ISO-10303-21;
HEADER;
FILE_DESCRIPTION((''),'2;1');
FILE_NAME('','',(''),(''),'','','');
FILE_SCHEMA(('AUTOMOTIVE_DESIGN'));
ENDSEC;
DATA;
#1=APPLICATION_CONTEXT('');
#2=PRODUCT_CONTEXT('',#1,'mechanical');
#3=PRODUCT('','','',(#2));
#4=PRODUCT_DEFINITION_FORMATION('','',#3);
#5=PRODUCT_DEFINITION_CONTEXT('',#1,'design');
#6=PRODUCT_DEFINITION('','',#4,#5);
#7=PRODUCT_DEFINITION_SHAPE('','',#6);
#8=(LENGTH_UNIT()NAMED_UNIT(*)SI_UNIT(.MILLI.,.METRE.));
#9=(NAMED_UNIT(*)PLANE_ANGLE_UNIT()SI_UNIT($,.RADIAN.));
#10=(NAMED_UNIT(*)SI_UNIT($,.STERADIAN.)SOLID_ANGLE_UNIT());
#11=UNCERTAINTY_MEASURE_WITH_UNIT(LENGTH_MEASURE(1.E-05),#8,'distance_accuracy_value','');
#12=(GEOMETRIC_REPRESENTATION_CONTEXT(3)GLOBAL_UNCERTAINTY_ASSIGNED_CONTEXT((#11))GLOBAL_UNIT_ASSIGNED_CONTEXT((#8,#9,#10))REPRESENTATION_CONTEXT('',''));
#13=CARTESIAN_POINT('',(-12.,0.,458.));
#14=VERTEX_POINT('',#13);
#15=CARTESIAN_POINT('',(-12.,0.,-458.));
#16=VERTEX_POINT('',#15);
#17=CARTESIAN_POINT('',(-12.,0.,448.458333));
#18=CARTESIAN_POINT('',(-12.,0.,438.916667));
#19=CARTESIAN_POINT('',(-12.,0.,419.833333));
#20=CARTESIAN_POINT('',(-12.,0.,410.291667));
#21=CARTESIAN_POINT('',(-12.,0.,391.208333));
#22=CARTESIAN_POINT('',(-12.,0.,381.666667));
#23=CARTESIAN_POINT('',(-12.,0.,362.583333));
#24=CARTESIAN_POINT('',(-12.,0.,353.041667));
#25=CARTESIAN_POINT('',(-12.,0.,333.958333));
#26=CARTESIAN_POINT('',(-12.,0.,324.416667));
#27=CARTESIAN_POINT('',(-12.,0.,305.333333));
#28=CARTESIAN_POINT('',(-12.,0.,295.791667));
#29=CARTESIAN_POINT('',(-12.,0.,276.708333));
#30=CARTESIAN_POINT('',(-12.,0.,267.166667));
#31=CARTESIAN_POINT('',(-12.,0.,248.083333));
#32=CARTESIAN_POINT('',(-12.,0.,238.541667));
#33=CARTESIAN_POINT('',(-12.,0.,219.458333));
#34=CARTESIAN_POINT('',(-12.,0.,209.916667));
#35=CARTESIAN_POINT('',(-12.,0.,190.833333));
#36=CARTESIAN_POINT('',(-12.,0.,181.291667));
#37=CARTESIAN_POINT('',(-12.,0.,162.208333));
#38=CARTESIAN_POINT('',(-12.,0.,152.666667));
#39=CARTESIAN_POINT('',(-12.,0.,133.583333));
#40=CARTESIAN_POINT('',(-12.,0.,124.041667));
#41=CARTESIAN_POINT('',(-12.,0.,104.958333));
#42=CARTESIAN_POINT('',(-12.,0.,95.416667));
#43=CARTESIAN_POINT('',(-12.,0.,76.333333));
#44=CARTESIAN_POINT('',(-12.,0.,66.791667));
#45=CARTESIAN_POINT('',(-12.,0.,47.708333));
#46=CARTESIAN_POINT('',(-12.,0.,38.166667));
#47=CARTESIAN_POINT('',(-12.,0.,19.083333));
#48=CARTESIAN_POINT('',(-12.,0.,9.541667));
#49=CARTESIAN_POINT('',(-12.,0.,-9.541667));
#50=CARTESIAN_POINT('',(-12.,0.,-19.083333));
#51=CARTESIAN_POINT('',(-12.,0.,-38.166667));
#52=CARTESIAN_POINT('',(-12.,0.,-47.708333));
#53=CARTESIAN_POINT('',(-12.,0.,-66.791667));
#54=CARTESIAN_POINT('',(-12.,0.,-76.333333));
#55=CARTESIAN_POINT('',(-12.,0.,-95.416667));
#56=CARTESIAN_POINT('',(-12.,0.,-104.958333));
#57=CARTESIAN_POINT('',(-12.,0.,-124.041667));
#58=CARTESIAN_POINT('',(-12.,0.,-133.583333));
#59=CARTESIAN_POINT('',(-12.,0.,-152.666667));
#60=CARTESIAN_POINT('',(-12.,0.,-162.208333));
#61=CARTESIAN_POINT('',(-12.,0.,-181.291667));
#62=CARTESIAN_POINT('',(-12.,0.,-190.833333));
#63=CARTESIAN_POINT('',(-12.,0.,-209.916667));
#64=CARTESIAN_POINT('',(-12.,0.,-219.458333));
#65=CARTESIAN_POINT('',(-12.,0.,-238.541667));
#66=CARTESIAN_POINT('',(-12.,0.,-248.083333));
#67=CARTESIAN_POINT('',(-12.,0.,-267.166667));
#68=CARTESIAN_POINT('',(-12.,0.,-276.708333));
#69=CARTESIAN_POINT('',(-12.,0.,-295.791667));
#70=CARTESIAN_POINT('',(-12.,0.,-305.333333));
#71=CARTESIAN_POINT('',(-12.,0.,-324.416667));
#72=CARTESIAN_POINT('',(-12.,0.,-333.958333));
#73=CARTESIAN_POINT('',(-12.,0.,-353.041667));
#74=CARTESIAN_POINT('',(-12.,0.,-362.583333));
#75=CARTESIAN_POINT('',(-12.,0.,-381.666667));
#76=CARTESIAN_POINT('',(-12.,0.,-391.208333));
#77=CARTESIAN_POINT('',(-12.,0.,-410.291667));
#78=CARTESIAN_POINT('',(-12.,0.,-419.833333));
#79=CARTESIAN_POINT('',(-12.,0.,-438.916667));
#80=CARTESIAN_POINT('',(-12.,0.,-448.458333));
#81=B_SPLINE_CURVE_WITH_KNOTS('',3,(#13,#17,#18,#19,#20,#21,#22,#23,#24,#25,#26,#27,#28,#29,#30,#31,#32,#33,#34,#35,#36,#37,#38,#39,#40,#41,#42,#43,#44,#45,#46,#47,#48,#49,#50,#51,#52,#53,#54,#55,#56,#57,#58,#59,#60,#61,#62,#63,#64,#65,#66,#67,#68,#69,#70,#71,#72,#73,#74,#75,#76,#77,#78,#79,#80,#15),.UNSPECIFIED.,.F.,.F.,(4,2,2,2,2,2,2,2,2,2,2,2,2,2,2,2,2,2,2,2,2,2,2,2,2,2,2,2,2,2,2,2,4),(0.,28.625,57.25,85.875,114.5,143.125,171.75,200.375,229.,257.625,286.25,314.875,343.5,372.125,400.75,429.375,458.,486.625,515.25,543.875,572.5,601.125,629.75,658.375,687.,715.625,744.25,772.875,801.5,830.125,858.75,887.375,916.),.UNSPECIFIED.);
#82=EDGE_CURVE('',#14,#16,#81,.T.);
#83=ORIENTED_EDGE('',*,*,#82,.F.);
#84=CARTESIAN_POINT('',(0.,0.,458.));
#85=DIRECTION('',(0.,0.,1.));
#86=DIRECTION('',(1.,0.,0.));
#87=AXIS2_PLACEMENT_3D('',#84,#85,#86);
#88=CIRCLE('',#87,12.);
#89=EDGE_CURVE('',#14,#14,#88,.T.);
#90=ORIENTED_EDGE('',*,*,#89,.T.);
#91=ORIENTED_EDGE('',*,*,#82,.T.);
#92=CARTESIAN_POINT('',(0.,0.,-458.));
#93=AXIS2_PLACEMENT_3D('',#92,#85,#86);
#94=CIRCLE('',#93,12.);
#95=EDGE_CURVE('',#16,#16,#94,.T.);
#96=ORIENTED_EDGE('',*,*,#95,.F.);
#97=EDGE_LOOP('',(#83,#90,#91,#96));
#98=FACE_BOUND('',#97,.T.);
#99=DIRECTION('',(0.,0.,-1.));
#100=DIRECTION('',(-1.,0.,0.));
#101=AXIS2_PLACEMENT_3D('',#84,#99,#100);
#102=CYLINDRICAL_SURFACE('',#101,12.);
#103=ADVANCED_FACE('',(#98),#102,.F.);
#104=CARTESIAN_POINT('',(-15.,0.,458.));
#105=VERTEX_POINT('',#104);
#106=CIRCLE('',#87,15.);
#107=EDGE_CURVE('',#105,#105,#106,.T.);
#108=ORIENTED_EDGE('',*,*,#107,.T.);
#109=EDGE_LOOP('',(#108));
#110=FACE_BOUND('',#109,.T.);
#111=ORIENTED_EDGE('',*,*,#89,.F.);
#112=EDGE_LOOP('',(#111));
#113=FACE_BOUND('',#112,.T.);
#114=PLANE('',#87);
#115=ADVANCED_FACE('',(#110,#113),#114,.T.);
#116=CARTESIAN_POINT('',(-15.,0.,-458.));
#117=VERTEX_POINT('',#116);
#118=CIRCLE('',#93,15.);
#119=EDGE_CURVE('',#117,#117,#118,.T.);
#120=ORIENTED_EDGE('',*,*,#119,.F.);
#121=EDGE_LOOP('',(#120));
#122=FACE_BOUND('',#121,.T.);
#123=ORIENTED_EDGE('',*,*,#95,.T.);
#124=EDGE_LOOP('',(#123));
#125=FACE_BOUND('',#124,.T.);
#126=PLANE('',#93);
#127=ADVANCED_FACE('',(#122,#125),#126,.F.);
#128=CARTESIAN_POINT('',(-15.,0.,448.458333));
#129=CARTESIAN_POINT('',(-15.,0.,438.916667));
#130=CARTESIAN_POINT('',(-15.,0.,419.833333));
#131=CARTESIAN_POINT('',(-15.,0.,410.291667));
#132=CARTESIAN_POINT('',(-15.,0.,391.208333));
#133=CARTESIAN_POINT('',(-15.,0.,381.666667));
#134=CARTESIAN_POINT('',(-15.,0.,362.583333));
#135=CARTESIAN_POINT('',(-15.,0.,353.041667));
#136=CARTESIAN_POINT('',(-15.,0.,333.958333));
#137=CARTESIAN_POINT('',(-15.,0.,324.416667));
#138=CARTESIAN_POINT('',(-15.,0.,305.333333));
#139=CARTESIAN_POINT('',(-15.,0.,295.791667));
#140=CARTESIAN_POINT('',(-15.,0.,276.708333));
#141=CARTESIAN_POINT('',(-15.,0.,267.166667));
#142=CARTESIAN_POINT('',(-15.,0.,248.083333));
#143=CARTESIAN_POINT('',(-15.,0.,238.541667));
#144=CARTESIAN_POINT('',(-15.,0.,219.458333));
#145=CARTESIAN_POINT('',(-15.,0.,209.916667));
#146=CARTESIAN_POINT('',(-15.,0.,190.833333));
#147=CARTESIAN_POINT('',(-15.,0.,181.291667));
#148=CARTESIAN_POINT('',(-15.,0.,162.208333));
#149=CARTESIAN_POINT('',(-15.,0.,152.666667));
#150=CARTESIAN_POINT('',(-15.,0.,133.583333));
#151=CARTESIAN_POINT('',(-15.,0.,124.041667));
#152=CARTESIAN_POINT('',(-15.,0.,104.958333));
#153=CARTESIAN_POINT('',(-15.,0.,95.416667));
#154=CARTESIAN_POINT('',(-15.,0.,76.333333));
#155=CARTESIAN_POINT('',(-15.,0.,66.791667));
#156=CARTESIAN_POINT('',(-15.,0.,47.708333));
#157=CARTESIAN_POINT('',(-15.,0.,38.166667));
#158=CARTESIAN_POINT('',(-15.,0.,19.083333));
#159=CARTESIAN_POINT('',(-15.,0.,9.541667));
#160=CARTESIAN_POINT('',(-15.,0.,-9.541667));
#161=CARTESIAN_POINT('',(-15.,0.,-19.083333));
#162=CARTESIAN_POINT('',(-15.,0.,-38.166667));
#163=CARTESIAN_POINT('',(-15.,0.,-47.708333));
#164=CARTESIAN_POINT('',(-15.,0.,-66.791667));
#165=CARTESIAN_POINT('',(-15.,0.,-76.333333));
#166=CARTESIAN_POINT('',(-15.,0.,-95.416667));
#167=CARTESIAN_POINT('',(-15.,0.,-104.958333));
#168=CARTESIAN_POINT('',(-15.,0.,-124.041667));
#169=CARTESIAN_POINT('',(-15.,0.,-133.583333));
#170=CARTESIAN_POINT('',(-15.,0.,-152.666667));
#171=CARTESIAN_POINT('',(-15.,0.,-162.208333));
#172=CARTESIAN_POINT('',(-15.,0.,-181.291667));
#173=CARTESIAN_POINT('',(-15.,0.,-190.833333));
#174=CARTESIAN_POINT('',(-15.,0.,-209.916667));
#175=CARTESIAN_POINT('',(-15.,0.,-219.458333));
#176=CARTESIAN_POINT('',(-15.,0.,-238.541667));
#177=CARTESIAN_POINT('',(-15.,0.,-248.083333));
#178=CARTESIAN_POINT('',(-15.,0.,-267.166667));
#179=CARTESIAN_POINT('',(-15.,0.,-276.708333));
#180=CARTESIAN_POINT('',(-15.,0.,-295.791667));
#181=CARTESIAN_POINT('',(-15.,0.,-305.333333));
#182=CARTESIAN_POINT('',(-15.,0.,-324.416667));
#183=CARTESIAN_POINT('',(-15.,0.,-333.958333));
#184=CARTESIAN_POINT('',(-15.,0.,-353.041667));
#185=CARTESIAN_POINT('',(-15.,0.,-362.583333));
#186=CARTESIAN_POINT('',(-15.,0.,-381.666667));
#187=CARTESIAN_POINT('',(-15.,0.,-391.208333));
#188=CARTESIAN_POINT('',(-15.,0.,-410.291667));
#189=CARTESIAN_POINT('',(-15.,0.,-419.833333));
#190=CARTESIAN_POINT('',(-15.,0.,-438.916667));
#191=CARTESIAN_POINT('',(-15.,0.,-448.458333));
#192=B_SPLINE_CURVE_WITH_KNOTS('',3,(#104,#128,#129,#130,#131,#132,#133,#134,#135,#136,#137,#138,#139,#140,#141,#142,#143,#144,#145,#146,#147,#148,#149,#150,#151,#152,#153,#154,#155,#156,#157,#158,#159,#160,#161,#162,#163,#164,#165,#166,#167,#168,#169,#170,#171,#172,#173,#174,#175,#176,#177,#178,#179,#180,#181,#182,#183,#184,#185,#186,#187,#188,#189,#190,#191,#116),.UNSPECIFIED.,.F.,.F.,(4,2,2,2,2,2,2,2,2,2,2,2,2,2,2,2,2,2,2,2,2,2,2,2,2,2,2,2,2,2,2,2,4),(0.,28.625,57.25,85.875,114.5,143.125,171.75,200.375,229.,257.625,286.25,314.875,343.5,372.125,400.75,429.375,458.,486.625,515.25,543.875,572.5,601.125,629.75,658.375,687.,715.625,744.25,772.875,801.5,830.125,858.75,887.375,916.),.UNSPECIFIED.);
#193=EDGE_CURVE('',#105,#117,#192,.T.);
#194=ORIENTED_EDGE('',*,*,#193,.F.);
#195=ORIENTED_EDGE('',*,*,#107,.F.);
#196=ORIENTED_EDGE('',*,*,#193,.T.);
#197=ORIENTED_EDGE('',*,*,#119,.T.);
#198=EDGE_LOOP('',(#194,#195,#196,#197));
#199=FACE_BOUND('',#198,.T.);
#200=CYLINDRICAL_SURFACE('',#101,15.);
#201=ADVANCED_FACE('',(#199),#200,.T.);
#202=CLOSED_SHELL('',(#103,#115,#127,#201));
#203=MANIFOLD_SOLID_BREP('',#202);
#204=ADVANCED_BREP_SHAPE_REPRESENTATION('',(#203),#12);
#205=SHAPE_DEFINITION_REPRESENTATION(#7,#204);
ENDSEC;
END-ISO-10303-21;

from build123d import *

# Parameters (mm, degrees)
SCHIZZO1_R                   = 15
SCHIZZO1_R_2                 = 12
ESTRUSIONE_ESTRUSIONE1_DEPTH = 458


with BuildPart() as part:
    # Schizzo1 → Estrusione-Estrusione1 (new, symmetric)
    with BuildSketch(Plane.XY):
        with Locations(Location((0, 0, 0), (0, 0, 180))):
            Circle(SCHIZZO1_R)
        with Locations(Location((0, 0, 0), (0, 0, 180))):
            Circle(SCHIZZO1_R_2, mode=Mode.SUBTRACT)
    extrude(amount=ESTRUSIONE_ESTRUSIONE1_DEPTH, both=True)


solid = part.part
